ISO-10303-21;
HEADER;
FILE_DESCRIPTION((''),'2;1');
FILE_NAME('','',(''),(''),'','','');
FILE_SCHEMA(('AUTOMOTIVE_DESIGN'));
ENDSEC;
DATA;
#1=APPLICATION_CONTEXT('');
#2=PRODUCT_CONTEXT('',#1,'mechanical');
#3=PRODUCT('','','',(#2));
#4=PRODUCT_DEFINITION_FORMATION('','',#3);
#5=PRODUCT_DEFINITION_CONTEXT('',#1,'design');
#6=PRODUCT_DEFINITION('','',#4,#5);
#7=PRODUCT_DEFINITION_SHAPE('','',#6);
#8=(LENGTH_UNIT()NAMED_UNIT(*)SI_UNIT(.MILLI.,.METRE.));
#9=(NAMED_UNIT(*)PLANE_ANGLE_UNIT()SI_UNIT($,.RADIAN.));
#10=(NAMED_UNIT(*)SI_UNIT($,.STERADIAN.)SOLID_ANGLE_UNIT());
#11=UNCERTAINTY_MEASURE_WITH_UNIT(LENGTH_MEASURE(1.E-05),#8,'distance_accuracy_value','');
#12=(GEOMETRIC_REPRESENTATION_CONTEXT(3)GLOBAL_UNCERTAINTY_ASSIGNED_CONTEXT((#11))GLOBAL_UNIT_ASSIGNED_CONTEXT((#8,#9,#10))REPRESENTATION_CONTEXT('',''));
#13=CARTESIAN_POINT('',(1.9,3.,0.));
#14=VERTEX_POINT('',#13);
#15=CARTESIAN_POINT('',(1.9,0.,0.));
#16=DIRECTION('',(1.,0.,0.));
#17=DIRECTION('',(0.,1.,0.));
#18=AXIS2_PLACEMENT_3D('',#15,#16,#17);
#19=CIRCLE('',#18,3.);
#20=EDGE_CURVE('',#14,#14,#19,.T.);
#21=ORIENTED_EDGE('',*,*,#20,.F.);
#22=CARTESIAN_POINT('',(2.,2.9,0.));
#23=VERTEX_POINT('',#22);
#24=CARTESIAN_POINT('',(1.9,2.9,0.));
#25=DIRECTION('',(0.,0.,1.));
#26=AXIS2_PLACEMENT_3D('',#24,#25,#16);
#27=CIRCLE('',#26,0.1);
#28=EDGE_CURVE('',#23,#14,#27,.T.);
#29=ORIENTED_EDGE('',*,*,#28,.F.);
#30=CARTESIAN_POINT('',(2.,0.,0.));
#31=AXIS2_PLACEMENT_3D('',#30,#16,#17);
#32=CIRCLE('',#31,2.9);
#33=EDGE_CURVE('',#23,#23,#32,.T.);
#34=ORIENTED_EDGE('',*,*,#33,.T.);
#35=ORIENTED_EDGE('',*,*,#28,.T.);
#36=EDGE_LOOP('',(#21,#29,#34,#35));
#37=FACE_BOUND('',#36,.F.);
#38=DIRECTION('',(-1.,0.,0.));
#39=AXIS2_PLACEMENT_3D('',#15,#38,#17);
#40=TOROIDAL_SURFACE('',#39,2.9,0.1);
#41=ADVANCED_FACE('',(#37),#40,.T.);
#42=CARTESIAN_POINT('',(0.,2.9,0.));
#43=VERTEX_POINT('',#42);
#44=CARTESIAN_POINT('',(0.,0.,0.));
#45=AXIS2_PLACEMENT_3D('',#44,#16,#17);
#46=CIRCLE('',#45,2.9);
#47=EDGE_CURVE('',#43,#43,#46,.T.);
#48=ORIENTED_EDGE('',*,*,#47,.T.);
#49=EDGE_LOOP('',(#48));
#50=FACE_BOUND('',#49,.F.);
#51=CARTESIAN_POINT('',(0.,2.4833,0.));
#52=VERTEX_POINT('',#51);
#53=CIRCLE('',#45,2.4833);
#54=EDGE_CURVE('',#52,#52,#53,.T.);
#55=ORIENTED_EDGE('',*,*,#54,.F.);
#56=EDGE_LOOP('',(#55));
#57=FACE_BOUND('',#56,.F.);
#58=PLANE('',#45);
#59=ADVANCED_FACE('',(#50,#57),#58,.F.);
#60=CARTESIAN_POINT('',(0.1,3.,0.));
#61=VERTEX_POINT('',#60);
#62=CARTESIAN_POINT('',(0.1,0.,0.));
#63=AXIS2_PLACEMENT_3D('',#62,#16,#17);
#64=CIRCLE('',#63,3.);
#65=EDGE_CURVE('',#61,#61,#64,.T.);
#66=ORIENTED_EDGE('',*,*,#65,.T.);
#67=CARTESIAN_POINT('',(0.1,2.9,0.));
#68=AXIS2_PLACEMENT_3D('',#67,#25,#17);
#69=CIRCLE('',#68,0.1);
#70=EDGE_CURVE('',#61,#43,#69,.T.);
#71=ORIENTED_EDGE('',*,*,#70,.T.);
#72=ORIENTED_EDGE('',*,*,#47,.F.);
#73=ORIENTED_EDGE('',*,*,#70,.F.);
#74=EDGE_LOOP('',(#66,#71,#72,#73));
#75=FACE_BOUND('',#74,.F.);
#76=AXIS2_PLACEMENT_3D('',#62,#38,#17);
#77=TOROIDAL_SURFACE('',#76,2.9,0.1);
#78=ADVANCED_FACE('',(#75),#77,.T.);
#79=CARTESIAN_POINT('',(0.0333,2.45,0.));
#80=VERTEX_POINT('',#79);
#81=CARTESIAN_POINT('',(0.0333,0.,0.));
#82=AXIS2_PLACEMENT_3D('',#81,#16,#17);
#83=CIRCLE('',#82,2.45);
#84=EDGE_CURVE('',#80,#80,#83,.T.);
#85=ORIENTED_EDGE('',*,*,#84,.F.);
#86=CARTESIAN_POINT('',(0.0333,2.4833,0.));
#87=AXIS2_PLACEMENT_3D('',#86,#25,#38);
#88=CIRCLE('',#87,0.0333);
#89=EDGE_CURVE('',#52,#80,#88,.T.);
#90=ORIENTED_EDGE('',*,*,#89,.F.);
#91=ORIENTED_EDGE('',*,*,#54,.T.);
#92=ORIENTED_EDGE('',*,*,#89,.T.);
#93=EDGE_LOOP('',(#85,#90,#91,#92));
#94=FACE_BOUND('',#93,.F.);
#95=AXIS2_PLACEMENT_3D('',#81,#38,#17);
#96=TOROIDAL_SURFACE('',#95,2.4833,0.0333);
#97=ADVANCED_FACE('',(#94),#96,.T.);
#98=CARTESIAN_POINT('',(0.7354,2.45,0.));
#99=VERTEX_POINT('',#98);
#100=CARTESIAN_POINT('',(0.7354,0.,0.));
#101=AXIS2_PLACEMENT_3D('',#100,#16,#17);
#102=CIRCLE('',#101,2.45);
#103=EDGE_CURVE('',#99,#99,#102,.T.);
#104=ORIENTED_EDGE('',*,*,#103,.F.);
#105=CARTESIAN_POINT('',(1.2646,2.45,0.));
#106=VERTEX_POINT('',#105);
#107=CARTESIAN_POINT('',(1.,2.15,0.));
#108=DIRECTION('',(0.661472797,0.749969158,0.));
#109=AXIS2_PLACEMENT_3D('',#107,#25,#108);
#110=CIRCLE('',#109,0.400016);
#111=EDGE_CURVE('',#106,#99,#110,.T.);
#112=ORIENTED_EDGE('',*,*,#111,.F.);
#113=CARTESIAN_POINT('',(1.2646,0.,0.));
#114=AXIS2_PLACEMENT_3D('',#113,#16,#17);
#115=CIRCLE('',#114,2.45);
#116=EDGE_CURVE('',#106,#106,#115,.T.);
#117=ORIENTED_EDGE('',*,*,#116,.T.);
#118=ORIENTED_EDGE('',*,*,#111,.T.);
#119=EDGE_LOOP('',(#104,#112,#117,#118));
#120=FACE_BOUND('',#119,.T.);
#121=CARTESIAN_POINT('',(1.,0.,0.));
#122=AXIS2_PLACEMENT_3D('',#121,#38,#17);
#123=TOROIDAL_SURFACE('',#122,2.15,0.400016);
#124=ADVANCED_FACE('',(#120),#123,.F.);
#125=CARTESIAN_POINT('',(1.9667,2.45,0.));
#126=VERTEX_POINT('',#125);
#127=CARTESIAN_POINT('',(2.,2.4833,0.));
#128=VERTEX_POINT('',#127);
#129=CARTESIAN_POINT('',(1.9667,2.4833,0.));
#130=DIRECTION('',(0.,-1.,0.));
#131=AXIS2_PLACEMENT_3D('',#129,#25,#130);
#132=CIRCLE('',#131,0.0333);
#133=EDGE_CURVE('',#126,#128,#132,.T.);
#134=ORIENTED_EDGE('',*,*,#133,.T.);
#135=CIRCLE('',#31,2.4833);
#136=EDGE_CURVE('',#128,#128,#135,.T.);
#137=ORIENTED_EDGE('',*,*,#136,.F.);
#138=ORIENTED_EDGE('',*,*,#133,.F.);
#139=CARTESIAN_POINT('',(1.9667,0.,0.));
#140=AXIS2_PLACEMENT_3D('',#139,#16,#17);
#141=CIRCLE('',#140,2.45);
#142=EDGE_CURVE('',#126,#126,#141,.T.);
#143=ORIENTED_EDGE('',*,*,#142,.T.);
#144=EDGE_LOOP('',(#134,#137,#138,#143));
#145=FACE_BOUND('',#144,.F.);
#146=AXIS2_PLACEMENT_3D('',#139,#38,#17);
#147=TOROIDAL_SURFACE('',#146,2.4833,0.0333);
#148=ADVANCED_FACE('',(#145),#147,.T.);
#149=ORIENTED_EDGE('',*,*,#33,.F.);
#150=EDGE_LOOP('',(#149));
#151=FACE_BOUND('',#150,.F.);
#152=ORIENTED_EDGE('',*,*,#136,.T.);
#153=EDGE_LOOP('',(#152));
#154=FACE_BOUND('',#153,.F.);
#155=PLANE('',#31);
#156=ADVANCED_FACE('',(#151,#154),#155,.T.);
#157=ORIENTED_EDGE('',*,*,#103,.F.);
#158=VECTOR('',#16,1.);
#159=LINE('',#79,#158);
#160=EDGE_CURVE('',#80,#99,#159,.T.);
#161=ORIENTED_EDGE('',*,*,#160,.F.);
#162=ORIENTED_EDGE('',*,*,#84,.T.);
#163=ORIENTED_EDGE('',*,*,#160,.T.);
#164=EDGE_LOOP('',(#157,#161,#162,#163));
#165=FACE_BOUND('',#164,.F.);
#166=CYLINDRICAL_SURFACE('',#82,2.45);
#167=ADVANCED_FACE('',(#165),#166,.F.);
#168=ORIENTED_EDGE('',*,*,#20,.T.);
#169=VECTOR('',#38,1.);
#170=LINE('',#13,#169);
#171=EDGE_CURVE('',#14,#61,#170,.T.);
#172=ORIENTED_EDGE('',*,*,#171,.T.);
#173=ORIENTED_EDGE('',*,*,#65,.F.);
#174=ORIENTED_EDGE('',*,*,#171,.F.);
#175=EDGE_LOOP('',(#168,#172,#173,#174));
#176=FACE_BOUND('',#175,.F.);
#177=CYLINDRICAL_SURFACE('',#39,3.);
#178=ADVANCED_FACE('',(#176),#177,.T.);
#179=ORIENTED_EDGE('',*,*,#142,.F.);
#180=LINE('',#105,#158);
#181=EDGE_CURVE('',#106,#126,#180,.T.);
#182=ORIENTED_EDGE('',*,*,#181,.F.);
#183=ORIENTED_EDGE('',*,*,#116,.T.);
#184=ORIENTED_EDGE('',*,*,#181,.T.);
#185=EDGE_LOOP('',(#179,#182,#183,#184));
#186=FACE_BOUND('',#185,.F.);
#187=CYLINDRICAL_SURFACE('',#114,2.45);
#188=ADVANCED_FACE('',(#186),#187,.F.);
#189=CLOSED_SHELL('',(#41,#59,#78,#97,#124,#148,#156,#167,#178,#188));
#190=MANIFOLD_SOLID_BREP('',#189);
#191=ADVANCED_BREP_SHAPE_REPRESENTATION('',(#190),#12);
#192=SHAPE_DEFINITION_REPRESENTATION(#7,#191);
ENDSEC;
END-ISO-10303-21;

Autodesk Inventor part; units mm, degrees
ref_plane "YZ Plane" through (0, 0, 0) normal (1, 0, 0) x (0, 1, 0)
ref_plane "XZ Plane" through (0, 0, 0) normal (0, 1, 0) x (-1, 0, 0)
ref_plane "XY Plane" through (0, 0, 0) normal (0, 0, 1) x (1, 0, 0)
sketch "Sketch_7" plane through (0, 0, 0) normal (0, 0, 1) x (1, 0, 0)
  line L0 (2, 0) -> (-2, 0)
  arc A0 (0, 2.4833) -> (0.0333, 2.45) centre (0.0333, 2.4833) ccw
  line L1 (0.0333, 2.45) -> (0.7354, 2.45)
  arc A1 (1.2646, 2.45) -> (0.7354, 2.45) centre (1, 2.15) ccw
  line L2 (1.2646, 2.45) -> (1.9667, 2.45)
  arc A2 (1.9667, 2.45) -> (2, 2.4833) centre (1.9667, 2.4833) ccw
  line L3 (2, 2.4833) -> (2, 2.9)
  arc A3 (2, 2.9) -> (1.9, 3) centre (1.9, 2.9) ccw
  line L4 (1.9, 3) -> (0.1, 3)
  arc A4 (0.1, 3) -> (0, 2.9) centre (0.1, 2.9) ccw
  line L5 (0, 2.9) -> (0, 2.4833)
revolve "Revolution1" add sketch "Sketch_7" angle 360 about axis through (2, 0, 0) along (1, 0, 0)
properties part number "SKF_W 617/3_PART2"
